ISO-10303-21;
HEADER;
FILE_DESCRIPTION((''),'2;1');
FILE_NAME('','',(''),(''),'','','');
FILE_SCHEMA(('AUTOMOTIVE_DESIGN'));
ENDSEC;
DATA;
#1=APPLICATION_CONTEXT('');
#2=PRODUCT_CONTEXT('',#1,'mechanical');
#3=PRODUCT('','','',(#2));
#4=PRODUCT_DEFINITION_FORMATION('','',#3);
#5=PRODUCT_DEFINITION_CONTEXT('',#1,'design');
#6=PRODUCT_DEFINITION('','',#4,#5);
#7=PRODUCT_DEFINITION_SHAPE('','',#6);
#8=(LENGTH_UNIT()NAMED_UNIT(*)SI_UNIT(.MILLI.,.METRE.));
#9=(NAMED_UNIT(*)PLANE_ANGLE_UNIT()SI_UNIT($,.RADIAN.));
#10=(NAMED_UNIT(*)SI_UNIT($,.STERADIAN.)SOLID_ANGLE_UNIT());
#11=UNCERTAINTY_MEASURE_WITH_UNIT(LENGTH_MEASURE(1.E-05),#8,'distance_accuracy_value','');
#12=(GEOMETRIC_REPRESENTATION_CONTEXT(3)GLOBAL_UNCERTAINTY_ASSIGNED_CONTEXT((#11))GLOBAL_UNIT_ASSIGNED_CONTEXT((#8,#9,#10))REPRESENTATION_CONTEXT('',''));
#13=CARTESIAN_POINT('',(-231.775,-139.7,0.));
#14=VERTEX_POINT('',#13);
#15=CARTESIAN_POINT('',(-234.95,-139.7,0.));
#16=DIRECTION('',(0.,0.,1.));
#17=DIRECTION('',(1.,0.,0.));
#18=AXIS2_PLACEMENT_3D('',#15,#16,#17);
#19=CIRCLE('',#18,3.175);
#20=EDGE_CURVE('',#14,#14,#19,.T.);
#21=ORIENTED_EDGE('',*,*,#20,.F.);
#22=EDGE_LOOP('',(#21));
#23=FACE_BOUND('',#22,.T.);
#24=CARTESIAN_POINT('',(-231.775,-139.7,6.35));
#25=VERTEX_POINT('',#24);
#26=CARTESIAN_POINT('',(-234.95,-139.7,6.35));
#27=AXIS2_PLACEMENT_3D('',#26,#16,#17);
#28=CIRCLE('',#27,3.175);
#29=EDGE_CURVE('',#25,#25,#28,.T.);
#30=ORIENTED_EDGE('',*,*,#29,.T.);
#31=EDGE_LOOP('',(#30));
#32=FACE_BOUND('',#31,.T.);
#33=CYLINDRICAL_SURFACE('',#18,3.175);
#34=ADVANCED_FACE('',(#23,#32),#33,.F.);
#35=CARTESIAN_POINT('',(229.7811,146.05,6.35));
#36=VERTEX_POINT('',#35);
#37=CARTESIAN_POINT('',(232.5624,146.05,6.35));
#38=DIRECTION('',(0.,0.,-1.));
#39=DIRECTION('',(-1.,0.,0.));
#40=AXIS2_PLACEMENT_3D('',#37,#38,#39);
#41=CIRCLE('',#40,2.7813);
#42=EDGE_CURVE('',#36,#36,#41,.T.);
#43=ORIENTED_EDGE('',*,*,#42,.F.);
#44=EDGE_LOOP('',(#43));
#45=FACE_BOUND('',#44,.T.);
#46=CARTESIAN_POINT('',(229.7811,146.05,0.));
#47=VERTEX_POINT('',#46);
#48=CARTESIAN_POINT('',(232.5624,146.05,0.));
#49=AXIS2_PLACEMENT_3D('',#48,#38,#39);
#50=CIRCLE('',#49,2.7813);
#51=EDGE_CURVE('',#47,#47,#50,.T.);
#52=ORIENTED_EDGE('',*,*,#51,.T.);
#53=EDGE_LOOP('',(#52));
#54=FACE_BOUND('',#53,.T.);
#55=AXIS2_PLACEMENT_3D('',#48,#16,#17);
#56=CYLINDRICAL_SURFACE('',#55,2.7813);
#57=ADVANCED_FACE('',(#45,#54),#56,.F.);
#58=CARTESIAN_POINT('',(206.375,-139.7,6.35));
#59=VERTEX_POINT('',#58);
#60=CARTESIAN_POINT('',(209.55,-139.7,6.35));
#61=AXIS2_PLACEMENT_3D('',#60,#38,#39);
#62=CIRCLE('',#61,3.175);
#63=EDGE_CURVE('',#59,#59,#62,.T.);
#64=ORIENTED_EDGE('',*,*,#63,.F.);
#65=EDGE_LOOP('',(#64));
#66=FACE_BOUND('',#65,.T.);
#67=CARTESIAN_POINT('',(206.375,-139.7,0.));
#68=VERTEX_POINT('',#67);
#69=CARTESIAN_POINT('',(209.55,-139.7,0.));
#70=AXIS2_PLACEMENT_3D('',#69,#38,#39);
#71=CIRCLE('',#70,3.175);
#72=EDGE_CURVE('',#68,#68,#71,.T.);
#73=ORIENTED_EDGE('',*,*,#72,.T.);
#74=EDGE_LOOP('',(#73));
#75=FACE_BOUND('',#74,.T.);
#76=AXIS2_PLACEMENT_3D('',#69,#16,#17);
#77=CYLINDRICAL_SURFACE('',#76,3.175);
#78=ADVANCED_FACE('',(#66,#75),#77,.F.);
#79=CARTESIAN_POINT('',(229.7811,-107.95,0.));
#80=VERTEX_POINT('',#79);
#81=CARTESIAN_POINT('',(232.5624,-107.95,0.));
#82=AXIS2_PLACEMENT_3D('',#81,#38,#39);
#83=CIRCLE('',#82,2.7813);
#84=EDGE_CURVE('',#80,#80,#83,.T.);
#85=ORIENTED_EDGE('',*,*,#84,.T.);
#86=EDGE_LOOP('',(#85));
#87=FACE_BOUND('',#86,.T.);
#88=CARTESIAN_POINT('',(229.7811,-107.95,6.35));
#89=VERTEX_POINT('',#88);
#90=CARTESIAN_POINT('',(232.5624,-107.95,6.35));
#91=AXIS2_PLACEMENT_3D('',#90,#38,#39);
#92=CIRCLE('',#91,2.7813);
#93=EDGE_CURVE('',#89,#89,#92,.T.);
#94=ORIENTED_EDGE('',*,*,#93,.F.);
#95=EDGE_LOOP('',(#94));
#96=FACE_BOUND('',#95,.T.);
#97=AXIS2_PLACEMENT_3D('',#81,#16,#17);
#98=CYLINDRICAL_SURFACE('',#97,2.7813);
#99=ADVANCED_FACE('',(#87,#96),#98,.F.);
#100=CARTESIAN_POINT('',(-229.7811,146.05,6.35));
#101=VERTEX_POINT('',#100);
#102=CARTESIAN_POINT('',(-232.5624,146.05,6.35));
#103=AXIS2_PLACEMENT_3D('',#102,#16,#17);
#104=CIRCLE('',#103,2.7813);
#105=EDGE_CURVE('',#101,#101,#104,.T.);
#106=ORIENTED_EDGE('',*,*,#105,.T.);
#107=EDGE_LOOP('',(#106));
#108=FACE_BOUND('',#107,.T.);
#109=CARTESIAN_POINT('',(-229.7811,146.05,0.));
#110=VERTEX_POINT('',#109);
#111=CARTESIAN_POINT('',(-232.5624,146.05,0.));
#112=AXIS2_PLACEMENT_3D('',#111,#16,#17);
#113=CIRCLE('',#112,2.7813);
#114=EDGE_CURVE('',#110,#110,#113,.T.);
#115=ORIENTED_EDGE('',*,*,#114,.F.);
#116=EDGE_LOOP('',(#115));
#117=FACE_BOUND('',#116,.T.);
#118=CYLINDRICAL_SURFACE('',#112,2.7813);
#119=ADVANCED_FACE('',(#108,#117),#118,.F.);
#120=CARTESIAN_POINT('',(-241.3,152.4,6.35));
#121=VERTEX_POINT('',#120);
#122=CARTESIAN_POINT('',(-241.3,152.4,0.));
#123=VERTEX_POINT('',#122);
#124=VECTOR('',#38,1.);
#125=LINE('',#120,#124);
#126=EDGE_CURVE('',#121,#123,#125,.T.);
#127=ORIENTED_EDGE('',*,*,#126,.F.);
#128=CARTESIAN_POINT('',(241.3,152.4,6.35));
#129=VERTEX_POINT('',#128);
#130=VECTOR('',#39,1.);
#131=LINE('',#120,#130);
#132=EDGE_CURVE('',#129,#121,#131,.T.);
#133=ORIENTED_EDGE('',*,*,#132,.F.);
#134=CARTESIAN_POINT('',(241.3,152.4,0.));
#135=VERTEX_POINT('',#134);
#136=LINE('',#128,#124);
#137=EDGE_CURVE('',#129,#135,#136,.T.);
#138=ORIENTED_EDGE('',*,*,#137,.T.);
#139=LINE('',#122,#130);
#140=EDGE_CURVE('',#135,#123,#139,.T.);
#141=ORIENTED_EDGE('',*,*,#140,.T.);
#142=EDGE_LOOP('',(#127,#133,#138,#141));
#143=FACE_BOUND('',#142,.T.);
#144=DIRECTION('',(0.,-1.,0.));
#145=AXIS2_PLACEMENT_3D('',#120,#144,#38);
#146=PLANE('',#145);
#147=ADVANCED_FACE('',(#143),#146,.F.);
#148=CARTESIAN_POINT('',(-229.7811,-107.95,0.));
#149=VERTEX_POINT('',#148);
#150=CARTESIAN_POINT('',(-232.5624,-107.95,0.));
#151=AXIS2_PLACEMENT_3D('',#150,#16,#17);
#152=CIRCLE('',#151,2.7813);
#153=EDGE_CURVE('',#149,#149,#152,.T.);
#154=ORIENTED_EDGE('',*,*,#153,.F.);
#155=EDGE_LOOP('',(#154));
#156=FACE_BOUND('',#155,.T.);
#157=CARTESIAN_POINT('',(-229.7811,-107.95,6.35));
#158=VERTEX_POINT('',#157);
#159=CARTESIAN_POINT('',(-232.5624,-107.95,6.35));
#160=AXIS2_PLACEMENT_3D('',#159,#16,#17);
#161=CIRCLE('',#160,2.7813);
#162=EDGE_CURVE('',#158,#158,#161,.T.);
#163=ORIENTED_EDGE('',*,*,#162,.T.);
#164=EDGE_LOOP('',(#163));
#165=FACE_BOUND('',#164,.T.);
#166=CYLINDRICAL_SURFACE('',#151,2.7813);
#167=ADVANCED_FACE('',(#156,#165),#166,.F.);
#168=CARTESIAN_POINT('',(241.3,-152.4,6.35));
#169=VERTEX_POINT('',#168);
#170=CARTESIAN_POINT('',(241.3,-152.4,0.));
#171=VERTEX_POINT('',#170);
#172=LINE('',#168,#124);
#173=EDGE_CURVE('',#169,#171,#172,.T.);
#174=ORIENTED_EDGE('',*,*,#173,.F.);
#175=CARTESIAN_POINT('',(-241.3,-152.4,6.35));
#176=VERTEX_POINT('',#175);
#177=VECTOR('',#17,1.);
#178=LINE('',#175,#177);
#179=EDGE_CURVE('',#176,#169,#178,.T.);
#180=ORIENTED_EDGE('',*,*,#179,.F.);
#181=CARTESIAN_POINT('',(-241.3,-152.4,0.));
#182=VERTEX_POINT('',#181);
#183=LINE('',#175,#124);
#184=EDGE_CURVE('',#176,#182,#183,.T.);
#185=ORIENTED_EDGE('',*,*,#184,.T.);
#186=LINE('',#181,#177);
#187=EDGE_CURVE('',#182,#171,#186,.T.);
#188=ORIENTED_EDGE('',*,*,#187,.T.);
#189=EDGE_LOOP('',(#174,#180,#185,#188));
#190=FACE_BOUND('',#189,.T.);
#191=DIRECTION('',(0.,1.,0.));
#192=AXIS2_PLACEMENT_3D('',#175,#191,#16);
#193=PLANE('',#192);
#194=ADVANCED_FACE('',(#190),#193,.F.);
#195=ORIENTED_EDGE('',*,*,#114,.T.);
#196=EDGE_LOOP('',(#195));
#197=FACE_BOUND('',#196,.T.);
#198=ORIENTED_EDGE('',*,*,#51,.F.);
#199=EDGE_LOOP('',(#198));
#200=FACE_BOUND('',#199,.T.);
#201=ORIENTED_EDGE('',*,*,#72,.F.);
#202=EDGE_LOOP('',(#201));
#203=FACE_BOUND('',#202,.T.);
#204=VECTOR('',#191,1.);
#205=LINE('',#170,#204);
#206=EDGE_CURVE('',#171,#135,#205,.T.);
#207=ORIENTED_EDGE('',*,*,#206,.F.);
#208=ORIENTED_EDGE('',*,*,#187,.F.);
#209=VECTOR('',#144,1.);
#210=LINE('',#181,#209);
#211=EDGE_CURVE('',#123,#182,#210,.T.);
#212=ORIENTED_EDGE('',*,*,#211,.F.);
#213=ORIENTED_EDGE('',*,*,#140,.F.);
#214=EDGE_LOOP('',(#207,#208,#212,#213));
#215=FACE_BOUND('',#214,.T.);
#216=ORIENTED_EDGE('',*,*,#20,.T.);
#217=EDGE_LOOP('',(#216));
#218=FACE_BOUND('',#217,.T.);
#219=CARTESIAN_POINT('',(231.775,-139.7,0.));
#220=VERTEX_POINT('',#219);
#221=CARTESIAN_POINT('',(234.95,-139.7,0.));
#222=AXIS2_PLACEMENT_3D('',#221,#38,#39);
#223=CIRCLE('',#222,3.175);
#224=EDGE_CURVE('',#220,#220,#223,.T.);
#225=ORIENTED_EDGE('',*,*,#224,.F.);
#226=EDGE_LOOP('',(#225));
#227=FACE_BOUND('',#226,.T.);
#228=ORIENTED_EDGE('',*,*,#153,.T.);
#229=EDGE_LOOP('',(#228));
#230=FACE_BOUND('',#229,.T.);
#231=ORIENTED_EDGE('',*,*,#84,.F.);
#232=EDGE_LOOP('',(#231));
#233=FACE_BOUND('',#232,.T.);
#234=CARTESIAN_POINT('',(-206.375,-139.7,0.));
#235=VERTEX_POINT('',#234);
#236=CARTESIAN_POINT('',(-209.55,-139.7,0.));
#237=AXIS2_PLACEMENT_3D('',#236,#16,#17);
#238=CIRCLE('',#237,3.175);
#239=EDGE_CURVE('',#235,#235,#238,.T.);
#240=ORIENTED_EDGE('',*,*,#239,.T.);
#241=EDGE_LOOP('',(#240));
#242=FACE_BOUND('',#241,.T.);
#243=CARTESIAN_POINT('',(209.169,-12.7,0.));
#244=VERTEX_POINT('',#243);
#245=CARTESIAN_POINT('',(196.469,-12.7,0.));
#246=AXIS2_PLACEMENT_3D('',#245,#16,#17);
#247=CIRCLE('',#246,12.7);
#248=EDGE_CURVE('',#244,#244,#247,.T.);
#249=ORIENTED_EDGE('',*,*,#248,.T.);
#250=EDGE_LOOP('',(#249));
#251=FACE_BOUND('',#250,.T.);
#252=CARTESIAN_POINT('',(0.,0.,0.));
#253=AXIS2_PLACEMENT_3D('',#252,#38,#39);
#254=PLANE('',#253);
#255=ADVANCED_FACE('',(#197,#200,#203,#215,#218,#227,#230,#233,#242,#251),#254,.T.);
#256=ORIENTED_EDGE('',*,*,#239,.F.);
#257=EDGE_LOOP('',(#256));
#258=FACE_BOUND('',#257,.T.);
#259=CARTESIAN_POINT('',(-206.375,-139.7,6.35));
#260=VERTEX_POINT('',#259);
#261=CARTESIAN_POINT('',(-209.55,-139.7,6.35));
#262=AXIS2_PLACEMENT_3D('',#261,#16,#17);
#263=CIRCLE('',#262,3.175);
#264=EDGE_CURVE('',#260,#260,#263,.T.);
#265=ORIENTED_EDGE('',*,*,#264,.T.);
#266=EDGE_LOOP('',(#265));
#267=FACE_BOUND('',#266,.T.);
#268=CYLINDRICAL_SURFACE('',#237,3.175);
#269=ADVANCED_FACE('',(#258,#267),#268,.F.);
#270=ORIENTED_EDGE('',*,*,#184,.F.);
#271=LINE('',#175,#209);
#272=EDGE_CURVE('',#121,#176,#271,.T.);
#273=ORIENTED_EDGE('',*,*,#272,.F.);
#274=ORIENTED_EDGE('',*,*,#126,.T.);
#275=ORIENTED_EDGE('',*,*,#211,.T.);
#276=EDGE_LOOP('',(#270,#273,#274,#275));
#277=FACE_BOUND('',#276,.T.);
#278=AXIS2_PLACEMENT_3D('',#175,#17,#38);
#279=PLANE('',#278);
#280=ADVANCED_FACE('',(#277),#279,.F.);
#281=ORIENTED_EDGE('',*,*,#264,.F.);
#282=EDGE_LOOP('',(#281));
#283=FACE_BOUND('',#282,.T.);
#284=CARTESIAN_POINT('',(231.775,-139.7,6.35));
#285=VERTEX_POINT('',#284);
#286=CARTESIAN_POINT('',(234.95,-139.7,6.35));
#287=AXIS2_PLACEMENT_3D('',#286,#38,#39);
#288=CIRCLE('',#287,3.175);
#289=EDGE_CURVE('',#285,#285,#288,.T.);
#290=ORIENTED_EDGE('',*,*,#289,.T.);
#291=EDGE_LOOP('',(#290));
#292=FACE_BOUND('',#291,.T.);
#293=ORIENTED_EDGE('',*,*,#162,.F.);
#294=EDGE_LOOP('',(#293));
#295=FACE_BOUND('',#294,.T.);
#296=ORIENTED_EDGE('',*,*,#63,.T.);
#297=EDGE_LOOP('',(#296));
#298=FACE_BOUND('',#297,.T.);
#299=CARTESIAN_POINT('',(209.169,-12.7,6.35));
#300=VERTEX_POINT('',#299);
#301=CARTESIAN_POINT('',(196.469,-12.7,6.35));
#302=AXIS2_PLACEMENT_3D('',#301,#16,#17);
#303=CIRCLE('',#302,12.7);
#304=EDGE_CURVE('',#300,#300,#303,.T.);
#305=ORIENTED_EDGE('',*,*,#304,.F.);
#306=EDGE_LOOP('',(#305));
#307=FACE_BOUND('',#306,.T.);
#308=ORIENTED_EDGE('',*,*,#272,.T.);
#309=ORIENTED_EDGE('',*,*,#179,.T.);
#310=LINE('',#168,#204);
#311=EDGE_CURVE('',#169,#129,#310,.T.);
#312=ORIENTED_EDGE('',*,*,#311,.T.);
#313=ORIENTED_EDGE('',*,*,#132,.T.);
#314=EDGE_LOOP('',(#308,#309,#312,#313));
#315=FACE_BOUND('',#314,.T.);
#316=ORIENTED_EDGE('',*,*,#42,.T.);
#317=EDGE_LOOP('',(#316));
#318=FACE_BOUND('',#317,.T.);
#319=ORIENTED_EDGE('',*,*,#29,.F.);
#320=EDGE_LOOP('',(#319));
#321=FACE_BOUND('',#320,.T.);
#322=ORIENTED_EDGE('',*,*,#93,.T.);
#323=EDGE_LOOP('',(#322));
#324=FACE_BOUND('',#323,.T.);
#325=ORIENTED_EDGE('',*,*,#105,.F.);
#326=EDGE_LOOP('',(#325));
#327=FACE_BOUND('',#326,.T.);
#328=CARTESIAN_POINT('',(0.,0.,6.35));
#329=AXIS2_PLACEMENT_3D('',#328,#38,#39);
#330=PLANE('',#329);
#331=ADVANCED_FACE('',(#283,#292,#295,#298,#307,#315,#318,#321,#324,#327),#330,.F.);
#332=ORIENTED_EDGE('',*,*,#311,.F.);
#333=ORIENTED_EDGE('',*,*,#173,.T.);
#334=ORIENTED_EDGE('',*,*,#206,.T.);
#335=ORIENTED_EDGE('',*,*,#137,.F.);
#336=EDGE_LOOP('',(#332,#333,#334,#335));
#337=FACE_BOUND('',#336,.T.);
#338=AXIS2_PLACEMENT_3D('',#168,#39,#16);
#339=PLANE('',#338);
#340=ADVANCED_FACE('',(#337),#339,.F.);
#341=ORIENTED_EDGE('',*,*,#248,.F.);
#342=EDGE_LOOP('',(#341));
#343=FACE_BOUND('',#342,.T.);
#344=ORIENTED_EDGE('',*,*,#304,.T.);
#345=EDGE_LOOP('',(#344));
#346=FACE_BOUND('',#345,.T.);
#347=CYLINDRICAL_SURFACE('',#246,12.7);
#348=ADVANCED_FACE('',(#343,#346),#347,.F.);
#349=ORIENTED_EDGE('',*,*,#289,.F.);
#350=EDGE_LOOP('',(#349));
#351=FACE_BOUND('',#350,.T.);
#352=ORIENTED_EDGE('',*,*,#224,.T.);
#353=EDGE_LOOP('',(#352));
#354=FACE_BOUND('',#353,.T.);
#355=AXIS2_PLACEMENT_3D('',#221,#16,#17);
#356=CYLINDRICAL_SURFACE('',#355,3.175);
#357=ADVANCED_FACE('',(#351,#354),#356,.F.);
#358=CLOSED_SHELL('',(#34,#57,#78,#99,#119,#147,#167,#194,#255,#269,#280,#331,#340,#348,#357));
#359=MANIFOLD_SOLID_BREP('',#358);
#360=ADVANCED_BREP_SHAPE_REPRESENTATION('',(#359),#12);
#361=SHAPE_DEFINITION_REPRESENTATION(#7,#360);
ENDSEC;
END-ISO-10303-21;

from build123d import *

# Parameters (mm, degrees)
SKETCH1_W           = 482.6
SKETCH1_H           = 304.8
BOSS_EXTRUDE1_DEPTH = 6.35
SKETCH2_R           = 2.7813
CUT_EXTRUDE1_DEPTH  = 286.467638271
SKETCH3_R           = 3.175
CUT_EXTRUDE2_DEPTH  = 286.467638271
SKETCH4_R           = 12.7
CUT_EXTRUDE3_DEPTH  = 286.467638271


with BuildPart() as part:
    # Sketch1 → Boss-Extrude1 (new body)
    with BuildSketch(Plane.XY):
        Rectangle(SKETCH1_W, SKETCH1_H)
    extrude(amount=BOSS_EXTRUDE1_DEPTH)

    # Sketch2 → Cut-Extrude1 (cut, through all)
    with BuildSketch(Plane.XY.offset(6.35)):
        with Locations((-232.5624, 146.05)):
            Circle(SKETCH2_R)
        with Locations((-232.5624, -107.95)):
            Circle(SKETCH2_R)
    cut_extrude1 = extrude(amount=-CUT_EXTRUDE1_DEPTH, mode=Mode.SUBTRACT)

    # Mirror1: Cut-Extrude1 across plane
    add(cut_extrude1.mirror(Plane(origin=(0, 0, 0), x_dir=(0, 0, 1), z_dir=(1, 0, 0))), mode=Mode.SUBTRACT)

    # Sketch3 → Cut-Extrude2 (cut, through all)
    with BuildSketch(Plane.XY.offset(6.35)):
        with Locations((-234.95, -139.7)):
            Circle(SKETCH3_R)
        with Locations((-209.55, -139.7)):
            Circle(SKETCH3_R)
    cut_extrude2 = extrude(amount=-CUT_EXTRUDE2_DEPTH, mode=Mode.SUBTRACT)

    # Mirror2: Cut-Extrude2 across plane
    add(cut_extrude2.mirror(Plane(origin=(0, 0, 0), x_dir=(0, 0, 1), z_dir=(1, 0, 0))), mode=Mode.SUBTRACT)

    # Sketch4 → Cut-Extrude3 (cut, through all)
    with BuildSketch(Plane.XY.offset(6.35)):
        with Locations((196.469, -12.7)):
            Circle(SKETCH4_R)
    extrude(amount=-CUT_EXTRUDE3_DEPTH, mode=Mode.SUBTRACT)


solid = part.part
